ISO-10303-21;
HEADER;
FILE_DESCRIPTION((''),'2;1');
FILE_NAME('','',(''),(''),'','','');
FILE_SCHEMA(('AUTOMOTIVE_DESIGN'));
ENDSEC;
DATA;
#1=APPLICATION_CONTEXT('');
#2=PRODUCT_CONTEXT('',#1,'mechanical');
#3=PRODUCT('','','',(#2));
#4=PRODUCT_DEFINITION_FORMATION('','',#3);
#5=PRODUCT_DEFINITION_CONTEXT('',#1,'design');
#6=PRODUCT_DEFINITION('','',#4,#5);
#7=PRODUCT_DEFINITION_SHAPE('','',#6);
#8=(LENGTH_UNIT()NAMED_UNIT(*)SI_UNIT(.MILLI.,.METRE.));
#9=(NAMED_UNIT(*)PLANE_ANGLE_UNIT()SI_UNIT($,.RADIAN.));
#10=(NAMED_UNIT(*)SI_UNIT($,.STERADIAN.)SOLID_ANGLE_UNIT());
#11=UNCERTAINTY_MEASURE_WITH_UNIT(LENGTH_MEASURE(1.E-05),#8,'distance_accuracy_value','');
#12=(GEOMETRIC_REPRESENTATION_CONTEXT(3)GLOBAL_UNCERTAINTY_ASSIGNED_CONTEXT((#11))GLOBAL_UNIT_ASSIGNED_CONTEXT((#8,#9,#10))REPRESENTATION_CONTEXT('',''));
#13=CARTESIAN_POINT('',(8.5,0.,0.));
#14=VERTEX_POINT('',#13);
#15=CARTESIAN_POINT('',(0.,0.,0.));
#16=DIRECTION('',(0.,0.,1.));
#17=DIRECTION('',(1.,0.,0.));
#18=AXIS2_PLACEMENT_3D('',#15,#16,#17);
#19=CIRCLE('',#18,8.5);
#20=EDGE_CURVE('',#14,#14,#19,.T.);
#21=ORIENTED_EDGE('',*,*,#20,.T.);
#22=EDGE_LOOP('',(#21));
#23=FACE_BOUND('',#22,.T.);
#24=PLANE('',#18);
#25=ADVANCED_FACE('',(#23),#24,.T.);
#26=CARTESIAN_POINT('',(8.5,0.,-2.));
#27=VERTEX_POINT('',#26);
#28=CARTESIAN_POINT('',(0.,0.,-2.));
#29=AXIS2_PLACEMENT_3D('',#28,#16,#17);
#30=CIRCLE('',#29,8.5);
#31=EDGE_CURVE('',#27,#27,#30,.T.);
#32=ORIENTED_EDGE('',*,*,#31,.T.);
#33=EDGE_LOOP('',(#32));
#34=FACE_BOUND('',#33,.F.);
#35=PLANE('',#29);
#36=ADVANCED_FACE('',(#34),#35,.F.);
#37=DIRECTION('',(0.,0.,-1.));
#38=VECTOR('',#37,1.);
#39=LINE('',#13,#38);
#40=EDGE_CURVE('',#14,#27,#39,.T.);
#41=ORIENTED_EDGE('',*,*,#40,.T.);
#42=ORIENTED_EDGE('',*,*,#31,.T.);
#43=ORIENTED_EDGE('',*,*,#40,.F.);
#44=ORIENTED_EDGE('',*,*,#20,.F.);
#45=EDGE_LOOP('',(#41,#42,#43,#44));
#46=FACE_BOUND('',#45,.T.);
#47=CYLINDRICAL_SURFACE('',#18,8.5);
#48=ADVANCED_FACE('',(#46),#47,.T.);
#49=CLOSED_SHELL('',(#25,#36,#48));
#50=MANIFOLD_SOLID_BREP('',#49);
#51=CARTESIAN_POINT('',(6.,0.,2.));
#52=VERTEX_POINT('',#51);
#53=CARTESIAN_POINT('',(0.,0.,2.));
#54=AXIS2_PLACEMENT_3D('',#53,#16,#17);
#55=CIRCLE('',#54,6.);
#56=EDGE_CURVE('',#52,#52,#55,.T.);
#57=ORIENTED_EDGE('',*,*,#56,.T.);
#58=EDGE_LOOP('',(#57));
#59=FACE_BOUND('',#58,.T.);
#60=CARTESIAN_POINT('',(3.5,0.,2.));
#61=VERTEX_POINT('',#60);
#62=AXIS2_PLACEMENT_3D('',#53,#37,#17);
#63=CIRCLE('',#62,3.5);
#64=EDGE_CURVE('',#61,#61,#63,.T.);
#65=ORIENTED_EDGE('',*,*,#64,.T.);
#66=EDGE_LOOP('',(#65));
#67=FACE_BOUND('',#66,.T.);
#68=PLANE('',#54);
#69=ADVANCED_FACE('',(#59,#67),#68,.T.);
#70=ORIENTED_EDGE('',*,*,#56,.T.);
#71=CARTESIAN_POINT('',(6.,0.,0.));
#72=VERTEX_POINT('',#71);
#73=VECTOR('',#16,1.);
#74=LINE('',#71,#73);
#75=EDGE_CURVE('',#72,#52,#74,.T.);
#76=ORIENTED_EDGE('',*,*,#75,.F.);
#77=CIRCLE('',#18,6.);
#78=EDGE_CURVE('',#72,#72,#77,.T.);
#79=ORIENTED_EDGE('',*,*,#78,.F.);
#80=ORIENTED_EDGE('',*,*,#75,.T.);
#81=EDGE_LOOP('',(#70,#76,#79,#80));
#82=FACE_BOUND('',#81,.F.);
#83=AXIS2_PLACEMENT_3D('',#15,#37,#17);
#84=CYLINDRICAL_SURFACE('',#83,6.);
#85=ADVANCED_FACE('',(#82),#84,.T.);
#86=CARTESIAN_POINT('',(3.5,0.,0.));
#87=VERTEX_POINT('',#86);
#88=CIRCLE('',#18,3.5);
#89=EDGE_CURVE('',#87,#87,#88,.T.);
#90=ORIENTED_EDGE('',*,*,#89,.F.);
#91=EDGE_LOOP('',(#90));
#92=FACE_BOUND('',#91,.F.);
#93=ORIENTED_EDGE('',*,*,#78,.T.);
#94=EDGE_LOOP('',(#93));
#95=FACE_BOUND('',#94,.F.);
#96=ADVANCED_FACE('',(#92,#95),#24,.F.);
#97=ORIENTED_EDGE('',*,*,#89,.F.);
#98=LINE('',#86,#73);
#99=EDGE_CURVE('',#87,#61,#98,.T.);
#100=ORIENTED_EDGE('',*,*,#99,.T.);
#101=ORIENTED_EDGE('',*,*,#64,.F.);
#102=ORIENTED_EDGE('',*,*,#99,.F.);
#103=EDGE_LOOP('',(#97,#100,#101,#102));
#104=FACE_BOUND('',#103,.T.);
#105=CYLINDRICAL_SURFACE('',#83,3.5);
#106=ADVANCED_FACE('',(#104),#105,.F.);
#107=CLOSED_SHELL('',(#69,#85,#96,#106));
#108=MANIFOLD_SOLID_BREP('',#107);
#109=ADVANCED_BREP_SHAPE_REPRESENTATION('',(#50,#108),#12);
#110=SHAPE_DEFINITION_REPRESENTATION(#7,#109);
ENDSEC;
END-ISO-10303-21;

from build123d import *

# Parameters (mm, degrees)
F0_R     = 8.5
F3_DEPTH = 2
F1_R     = 6
F4_DEPTH = 2
F2_R     = 3.5
F5_DEPTH = 25


with BuildPart() as f3:
    # F0 (on Top) → F3 (new body)
    with BuildSketch(Plane.XY):
        Circle(F0_R)
    extrude(amount=-F3_DEPTH)


with BuildPart() as f4:
    # F1 (on Top) → F4 (new body)
    with BuildSketch(Plane.XY):
        Circle(F1_R)
    extrude(amount=F4_DEPTH)

    # F2 (on Top) → F5 (cut)
    with BuildSketch(Plane.XY):
        Circle(F2_R)
    extrude(amount=F5_DEPTH, mode=Mode.SUBTRACT)


solid = Compound([f3.part, f4.part])
